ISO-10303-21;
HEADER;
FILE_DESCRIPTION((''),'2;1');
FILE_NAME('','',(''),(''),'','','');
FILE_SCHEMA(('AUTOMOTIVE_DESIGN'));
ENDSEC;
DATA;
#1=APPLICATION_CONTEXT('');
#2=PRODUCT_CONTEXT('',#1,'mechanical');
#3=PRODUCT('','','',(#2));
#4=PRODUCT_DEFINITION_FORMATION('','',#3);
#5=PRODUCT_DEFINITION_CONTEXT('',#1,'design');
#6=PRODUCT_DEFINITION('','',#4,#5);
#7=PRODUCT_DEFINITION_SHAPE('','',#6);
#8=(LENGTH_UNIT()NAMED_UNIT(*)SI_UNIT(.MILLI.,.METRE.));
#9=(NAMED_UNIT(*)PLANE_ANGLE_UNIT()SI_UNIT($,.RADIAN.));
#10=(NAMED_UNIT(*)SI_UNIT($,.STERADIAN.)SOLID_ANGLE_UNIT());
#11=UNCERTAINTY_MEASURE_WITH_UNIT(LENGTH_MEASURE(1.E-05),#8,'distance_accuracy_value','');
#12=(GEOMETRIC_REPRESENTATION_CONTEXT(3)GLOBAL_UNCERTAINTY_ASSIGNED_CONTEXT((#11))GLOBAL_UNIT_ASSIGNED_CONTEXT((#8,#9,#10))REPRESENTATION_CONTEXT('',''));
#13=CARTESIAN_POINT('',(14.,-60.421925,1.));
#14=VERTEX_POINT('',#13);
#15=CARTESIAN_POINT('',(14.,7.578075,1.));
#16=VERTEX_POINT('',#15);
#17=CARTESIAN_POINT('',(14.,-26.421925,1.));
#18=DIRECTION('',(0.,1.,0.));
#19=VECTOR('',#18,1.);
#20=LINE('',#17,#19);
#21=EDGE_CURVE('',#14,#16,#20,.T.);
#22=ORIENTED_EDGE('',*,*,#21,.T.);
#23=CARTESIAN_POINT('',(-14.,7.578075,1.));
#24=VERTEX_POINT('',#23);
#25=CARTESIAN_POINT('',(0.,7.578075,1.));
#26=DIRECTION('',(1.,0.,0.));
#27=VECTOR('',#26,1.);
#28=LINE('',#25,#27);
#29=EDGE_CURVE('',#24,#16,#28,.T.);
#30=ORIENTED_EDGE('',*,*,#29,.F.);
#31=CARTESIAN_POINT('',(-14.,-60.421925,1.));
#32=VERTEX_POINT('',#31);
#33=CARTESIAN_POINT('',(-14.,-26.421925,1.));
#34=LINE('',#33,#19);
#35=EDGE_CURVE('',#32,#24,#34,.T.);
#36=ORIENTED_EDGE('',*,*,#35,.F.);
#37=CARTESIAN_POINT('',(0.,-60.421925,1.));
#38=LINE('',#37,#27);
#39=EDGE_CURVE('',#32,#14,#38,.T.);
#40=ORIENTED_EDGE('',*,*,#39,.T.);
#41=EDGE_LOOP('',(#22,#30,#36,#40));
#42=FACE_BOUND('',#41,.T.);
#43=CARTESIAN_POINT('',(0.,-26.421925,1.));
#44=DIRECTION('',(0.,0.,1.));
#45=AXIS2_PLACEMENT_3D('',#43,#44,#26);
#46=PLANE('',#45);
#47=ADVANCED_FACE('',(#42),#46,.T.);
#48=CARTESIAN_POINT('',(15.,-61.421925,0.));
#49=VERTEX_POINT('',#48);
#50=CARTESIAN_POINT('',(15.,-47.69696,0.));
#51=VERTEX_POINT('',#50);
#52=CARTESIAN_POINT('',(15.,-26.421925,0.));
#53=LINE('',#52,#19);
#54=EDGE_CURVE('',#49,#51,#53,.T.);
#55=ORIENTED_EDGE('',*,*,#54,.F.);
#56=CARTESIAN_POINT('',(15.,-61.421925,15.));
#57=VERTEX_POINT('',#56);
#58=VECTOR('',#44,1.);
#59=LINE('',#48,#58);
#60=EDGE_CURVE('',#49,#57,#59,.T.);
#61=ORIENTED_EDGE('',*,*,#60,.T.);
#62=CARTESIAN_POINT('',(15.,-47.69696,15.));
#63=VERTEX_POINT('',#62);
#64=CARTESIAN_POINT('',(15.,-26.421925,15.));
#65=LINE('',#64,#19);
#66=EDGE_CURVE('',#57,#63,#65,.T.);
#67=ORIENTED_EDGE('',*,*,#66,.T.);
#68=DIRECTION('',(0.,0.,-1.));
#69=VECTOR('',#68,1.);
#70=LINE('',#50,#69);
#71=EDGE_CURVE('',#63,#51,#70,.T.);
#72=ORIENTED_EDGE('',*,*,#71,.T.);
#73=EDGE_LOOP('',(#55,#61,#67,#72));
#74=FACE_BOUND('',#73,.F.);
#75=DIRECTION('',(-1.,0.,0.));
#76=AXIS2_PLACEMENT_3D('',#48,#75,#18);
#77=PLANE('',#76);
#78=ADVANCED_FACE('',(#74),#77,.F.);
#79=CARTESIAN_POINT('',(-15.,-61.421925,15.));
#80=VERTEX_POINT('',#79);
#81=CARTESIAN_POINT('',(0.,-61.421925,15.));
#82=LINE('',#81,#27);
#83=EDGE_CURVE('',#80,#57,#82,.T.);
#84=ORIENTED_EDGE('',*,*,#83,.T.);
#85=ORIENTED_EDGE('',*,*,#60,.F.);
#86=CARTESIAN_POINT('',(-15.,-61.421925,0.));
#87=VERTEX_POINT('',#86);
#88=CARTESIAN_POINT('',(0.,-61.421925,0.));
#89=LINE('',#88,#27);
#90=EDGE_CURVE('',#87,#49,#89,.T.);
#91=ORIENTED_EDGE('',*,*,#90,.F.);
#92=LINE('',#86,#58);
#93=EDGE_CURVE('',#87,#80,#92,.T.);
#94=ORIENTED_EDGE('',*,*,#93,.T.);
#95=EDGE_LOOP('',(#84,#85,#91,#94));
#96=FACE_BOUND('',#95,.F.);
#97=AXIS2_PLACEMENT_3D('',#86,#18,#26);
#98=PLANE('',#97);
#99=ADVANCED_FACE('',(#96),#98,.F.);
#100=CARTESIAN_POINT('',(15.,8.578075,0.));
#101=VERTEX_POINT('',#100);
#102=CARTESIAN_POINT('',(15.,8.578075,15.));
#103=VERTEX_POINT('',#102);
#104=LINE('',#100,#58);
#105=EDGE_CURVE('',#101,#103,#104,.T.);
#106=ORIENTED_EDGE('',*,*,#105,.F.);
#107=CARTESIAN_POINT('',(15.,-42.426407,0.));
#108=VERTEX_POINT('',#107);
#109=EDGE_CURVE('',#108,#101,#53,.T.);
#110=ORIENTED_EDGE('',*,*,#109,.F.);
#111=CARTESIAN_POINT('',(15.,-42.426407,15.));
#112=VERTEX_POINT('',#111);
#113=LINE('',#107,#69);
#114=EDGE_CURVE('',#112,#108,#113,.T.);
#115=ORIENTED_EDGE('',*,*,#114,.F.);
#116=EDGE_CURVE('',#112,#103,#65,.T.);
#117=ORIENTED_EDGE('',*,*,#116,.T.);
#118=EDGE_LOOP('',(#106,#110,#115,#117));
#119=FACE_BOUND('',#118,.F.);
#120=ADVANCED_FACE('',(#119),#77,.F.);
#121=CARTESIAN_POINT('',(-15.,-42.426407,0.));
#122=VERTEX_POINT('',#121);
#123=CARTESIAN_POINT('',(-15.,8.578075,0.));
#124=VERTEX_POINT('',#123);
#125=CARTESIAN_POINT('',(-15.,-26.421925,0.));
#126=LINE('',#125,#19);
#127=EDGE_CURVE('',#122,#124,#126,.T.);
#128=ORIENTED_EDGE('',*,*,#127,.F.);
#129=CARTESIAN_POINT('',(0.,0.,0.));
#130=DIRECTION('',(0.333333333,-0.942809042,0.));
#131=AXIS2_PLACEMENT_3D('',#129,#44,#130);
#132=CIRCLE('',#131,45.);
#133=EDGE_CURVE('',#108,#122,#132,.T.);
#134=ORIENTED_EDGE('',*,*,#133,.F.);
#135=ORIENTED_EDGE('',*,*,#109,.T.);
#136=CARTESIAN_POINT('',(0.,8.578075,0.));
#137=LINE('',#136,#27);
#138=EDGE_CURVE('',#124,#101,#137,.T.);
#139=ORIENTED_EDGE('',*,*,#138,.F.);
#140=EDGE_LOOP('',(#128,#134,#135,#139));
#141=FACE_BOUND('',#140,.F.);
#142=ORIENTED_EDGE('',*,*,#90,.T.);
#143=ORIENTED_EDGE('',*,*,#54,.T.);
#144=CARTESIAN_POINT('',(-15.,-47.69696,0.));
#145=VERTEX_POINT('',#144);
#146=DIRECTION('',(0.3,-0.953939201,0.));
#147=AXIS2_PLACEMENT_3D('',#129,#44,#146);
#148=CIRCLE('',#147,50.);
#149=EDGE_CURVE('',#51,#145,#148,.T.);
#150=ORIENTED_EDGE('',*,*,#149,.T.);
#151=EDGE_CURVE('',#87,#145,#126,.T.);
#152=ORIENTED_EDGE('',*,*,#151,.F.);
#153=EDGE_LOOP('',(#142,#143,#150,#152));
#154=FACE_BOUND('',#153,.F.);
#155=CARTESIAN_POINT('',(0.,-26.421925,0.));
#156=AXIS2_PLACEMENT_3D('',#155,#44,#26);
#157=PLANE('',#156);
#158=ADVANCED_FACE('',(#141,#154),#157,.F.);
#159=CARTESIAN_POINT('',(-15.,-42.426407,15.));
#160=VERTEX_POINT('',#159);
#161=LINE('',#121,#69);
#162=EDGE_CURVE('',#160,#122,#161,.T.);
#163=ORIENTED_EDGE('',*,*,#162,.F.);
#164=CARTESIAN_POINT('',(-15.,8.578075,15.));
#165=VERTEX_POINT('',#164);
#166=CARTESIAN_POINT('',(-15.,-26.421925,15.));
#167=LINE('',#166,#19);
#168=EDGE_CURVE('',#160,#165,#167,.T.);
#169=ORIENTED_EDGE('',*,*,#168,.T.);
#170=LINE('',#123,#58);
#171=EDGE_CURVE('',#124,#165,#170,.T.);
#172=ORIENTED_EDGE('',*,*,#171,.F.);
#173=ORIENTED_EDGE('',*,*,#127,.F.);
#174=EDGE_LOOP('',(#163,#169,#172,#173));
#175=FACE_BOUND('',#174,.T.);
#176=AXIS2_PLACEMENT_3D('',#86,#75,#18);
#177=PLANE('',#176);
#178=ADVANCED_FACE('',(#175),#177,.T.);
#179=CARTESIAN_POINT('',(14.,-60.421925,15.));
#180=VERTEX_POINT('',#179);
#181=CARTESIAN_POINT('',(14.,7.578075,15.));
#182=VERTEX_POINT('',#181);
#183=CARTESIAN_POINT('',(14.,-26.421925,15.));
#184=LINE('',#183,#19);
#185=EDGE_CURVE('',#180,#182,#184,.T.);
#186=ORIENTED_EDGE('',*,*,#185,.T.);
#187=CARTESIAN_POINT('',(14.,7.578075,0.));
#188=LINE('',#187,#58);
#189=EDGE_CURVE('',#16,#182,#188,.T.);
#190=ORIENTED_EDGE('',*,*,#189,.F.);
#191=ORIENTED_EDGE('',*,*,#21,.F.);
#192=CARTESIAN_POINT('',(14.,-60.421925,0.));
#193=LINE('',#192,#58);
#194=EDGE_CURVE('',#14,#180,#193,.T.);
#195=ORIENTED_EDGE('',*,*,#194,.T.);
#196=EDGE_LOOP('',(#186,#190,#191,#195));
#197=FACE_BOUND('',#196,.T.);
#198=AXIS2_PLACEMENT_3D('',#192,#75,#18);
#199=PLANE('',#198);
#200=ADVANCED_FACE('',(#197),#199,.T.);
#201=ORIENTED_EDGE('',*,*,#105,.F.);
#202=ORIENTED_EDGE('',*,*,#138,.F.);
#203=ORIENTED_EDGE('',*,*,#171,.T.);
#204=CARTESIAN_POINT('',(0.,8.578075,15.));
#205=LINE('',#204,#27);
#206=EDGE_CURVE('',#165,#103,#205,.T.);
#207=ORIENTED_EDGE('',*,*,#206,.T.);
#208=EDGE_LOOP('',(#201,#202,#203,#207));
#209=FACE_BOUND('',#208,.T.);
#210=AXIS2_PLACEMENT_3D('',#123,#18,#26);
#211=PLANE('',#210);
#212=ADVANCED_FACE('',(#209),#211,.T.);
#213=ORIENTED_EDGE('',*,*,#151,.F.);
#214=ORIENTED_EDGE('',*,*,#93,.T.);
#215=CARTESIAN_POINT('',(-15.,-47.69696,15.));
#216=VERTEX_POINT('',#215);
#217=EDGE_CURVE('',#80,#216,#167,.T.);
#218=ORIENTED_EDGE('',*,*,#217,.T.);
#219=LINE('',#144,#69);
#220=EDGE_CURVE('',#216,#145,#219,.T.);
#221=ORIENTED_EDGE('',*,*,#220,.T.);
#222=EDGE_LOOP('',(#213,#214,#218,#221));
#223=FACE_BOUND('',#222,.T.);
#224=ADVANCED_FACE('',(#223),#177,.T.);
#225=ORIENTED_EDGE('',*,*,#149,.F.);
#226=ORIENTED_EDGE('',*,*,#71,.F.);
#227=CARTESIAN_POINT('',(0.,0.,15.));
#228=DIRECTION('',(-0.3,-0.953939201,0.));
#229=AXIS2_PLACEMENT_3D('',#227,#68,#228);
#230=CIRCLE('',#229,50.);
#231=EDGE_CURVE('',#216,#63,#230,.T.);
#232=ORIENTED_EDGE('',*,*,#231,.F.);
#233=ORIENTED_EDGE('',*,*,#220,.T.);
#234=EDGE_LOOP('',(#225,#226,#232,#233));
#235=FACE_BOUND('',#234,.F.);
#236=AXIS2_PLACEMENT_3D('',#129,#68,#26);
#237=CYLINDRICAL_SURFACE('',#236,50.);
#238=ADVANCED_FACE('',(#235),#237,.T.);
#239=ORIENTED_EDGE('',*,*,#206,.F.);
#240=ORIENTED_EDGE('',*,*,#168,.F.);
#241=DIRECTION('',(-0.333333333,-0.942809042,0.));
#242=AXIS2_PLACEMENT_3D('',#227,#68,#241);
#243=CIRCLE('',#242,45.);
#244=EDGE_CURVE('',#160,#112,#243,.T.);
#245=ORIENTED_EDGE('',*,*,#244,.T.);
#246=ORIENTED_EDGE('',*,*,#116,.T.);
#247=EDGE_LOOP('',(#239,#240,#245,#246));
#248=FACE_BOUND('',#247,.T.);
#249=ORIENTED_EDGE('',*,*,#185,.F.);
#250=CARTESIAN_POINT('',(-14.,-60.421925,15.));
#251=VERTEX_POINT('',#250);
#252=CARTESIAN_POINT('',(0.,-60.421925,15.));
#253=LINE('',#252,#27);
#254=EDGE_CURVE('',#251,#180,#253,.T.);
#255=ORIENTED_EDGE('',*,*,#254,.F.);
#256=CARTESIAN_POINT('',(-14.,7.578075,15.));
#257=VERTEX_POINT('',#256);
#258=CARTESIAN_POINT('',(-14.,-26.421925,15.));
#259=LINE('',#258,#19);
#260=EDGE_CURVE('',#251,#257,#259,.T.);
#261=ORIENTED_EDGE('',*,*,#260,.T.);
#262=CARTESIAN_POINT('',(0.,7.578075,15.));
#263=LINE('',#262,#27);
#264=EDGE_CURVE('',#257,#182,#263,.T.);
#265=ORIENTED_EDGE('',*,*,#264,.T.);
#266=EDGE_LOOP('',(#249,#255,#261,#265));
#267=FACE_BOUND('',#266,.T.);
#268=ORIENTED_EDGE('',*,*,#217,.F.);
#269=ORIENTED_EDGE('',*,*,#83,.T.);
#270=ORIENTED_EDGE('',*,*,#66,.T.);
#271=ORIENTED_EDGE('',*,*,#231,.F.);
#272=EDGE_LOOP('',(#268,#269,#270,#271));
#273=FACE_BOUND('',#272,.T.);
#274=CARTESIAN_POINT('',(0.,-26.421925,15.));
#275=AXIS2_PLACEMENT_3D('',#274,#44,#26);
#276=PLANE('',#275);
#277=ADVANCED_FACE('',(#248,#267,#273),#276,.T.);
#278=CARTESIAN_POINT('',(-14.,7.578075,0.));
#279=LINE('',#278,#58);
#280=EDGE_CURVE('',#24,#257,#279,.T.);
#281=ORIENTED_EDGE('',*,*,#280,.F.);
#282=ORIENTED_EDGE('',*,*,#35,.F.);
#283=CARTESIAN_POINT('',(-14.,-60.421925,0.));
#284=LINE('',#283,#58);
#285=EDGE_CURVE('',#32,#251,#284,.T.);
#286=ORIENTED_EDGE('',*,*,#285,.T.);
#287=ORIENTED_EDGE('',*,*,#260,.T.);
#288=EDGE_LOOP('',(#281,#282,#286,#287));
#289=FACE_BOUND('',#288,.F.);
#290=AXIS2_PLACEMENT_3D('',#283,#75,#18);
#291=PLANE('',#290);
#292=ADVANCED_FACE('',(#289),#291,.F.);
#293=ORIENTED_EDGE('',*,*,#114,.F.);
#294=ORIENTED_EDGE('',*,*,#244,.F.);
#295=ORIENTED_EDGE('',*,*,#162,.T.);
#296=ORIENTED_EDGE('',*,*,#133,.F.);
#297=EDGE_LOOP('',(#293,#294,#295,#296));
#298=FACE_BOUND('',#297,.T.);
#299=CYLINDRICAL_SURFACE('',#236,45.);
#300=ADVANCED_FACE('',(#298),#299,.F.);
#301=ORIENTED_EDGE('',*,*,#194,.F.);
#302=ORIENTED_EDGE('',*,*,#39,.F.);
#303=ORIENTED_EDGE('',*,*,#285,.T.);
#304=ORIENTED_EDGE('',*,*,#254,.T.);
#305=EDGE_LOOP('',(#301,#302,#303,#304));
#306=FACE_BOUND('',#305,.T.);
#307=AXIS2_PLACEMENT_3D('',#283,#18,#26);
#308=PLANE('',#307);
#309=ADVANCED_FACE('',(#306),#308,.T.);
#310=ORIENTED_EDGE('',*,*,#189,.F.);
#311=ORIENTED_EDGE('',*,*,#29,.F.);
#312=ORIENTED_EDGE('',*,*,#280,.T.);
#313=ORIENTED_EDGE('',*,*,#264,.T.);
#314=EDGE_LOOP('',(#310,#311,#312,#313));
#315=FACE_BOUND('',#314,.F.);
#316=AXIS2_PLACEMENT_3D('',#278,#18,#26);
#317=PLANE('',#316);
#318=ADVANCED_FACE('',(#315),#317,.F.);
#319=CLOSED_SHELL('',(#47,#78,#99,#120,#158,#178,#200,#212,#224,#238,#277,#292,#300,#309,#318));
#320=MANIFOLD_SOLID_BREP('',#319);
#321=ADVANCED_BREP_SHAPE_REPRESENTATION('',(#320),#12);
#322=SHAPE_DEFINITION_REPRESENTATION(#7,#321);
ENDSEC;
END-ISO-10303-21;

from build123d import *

# Parameters (mm, degrees)
F0_R     = 50
F0_R_2   = 45
F1_DEPTH = 15
F2_W     = 30
F2_H     = 15
F3_DEPTH = 50
F5_W     = 30
F5_H     = 70
F5_W_2   = 28
F5_H_2   = 68
F6_DEPTH = 15
F7_W     = 28
F7_H     = 68
F8_DEPTH = 1


with BuildPart() as f1:
    # F0 (on Top) → F1 (new body)
    with BuildSketch(Plane.XY):
        Circle(F0_R)
        Circle(F0_R_2, mode=Mode.SUBTRACT)
    extrude(amount=F1_DEPTH)

    # F2 (on Front) → F3 (cut)
    with BuildSketch(Plane.XZ):
        with Locations((0, 7.5)):
            Rectangle(F2_W, F2_H)
    extrude(amount=F3_DEPTH, mode=Mode.SUBTRACT)

    # F5 (on face) → F6 (join)
    with BuildSketch(Plane.XY):
        with Locations((0, -26.421925)):
            Rectangle(F5_W, F5_H)
        with Locations((0, -26.421925)):
            Rectangle(F5_W_2, F5_H_2, mode=Mode.SUBTRACT)
    extrude(amount=F6_DEPTH)

    # F7 (on Top) → F8 (join)
    with BuildSketch(Plane.XY):
        with Locations((0, -26.421925)):
            Rectangle(F7_W, F7_H)
    extrude(amount=F8_DEPTH)


solid = f1.part
